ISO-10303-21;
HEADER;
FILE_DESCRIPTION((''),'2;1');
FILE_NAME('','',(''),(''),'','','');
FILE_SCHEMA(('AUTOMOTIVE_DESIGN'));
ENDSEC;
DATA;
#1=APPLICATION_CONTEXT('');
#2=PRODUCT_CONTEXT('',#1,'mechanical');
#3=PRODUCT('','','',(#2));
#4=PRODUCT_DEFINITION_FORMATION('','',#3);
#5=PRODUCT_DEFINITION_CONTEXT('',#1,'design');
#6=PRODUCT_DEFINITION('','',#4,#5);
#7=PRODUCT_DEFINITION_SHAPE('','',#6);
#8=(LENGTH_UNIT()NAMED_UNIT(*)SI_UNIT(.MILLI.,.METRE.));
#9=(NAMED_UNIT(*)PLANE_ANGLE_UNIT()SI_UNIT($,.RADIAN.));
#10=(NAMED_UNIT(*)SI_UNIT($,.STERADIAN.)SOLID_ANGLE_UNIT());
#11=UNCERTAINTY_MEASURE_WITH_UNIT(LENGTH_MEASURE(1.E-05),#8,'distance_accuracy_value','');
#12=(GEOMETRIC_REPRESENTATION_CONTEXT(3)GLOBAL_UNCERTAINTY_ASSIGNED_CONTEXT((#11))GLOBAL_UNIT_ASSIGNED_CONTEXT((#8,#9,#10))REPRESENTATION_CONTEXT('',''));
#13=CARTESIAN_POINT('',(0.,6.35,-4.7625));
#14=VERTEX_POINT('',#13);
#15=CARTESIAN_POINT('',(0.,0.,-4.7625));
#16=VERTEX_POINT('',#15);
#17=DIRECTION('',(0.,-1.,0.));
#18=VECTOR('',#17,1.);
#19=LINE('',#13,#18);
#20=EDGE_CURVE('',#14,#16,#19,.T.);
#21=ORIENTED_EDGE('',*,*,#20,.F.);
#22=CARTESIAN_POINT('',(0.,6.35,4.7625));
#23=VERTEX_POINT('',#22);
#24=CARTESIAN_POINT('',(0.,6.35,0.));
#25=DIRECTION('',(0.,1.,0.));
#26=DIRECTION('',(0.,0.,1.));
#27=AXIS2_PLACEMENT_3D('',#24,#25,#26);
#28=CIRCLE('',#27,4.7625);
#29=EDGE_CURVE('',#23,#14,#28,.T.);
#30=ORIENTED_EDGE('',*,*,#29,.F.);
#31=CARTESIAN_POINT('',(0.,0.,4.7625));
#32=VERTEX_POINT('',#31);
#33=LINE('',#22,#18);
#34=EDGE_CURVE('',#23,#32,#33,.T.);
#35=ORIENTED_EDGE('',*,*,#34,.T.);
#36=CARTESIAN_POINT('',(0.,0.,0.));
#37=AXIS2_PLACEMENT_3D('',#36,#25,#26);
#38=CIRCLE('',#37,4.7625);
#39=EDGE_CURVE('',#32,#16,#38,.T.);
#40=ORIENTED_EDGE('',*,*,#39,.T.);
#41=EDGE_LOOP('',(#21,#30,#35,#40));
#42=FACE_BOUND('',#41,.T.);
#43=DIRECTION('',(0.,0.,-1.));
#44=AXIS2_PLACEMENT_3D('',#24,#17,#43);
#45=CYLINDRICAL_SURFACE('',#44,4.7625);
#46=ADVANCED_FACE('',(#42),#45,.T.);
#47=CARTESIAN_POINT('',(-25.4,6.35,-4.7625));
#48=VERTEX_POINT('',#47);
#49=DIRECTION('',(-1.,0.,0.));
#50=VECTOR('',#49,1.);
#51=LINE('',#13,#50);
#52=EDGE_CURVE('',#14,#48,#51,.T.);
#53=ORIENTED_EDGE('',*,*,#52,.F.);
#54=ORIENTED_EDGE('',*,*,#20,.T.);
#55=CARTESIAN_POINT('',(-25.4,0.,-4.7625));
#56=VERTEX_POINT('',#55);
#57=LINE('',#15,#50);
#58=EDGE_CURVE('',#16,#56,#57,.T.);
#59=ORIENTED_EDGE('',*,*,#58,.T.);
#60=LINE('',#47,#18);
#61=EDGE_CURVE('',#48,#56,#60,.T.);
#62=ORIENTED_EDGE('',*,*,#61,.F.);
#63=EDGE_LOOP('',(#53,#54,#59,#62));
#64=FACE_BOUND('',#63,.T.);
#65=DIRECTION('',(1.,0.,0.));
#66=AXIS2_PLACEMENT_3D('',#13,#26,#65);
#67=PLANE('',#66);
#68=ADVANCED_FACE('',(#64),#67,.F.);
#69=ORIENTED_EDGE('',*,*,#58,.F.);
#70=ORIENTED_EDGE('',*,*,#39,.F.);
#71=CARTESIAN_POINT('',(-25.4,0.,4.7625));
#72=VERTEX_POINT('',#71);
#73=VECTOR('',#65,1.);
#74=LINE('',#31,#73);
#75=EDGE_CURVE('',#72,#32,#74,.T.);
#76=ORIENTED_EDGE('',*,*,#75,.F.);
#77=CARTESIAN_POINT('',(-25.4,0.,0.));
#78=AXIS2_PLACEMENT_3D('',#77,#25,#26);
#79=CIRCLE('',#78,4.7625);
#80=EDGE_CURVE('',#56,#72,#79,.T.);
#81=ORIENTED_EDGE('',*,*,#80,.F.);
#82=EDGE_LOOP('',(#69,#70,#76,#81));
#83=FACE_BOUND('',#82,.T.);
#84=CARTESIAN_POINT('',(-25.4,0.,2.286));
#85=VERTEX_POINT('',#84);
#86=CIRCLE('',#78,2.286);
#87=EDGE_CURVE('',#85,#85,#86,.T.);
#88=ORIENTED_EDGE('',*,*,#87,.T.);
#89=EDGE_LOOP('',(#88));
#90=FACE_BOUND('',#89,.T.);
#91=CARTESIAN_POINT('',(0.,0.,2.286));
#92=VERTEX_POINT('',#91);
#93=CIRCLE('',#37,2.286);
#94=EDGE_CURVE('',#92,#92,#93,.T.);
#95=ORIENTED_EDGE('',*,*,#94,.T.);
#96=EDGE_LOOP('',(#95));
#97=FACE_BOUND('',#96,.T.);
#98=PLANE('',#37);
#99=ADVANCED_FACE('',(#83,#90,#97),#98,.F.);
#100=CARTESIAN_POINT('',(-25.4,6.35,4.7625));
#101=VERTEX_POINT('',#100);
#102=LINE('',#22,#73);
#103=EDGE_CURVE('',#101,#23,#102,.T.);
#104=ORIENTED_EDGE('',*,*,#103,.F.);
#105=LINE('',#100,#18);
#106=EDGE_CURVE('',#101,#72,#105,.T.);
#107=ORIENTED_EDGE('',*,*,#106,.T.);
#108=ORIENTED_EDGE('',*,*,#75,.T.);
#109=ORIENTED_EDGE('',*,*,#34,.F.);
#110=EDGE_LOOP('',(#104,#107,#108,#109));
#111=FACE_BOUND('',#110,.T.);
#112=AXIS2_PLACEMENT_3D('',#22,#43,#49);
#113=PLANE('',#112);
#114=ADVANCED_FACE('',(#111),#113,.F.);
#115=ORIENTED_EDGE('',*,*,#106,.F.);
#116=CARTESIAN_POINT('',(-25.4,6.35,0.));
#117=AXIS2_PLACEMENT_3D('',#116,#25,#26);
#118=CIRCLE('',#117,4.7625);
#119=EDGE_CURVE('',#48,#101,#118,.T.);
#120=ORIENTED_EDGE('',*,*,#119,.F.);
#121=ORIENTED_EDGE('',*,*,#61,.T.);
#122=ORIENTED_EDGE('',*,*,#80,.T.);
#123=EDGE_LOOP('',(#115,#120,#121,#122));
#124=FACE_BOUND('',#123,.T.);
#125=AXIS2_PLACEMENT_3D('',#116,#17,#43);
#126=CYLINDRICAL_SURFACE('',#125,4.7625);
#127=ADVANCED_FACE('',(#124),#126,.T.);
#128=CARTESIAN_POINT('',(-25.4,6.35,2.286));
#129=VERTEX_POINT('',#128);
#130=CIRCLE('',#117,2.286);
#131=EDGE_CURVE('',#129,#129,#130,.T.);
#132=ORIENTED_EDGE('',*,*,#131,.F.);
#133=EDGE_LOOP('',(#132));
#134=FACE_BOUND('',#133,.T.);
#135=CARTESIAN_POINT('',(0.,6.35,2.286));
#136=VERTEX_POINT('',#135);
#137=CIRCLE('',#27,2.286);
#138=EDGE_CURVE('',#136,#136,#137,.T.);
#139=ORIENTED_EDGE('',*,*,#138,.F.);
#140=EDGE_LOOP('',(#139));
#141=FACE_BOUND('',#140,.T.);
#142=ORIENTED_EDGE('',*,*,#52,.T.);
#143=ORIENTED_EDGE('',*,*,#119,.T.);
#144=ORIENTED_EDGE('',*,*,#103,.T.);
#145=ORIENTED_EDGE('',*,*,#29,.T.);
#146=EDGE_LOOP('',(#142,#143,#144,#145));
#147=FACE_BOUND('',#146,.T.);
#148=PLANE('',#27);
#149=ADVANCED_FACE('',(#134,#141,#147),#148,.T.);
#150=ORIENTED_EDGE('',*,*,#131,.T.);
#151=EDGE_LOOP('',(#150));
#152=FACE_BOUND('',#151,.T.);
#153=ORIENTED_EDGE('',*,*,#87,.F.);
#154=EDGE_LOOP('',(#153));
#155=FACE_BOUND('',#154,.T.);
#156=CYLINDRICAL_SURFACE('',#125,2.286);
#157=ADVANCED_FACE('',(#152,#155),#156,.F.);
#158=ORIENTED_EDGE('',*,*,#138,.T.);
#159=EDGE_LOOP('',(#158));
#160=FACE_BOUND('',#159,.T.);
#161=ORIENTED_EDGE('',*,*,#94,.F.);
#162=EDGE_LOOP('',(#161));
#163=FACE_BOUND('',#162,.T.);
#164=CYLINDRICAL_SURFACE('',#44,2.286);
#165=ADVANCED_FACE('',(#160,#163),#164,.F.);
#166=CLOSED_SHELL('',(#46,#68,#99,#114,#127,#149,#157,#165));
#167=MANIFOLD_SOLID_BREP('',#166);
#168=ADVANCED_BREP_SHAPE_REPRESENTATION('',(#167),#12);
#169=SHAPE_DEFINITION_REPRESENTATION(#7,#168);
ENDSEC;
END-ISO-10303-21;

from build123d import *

# Parameters (mm, degrees)
SKETCH1_R           = 2.286
BOSS_EXTRUDE1_DEPTH = 6.35


with BuildPart() as part:
    # Sketch1 → Boss-Extrude1 (new body)
    with BuildSketch(Plane(origin=(0, 0, 0), x_dir=(1, 0, 0), z_dir=(0, 1, 0))):
        with BuildLine():
            Line((0, -4.7625), (-25.4, -4.7625))
            ThreePointArc((-25.4, -4.7625), (-30.1625, 0), (-25.4, 4.7625))
            Line((-25.4, 4.7625), (0, 4.7625))
            ThreePointArc((0, 4.7625), (4.7625, 0), (0, -4.7625))
        make_face()
        with Locations(Location((-25.4, 0, 0), (0, 0, 270))):
            Circle(SKETCH1_R, mode=Mode.SUBTRACT)
        with Locations(Location((0, 0, 0), (0, 0, 270))):
            Circle(SKETCH1_R, mode=Mode.SUBTRACT)
    extrude(amount=BOSS_EXTRUDE1_DEPTH)


solid = part.part
